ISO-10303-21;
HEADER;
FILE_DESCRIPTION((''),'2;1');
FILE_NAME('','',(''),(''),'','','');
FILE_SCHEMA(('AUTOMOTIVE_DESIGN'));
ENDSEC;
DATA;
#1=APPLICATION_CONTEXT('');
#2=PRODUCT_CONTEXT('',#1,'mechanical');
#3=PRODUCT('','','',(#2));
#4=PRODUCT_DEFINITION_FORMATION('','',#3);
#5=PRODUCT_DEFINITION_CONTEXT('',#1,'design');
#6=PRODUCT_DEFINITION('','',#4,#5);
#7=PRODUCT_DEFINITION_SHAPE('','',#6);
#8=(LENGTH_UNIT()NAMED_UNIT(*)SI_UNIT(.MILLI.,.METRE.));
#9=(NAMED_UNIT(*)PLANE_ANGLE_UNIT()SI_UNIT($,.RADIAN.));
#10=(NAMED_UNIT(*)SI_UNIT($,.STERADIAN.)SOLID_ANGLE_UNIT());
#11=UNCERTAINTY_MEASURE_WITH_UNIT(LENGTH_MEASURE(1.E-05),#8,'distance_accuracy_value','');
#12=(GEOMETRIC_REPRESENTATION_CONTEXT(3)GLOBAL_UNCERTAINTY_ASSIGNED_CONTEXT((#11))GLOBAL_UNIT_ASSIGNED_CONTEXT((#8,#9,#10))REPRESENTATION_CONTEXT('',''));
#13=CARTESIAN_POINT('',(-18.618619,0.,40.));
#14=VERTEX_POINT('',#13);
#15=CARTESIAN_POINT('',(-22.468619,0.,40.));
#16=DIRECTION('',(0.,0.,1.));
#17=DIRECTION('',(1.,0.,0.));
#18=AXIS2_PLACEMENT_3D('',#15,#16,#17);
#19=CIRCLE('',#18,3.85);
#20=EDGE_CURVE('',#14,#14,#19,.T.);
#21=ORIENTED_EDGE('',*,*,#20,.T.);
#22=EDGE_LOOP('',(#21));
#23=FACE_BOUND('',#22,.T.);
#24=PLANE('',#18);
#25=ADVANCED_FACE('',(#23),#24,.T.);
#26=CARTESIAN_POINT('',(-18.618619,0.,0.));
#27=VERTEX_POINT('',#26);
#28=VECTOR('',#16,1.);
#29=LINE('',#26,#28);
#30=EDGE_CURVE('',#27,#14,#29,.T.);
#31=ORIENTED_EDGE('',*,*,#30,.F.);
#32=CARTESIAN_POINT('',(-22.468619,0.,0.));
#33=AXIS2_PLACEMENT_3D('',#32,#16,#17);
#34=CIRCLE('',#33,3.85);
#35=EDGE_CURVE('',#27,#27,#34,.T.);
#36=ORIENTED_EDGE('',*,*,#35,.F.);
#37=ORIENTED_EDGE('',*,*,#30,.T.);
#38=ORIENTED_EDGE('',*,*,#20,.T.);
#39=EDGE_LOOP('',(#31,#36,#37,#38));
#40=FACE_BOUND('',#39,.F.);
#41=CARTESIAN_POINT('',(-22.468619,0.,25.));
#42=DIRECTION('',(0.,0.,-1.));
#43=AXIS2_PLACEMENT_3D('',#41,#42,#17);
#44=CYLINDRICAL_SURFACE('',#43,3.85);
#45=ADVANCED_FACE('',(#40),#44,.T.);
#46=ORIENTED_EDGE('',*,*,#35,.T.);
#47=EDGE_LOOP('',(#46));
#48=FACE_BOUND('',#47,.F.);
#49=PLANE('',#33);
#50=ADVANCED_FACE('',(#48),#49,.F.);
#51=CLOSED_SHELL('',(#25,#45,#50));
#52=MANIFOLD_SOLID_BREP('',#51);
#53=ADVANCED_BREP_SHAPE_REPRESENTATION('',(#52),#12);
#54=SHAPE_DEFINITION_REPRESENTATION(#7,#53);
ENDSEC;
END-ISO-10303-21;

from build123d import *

# Parameters (mm, degrees)
F0_R     = 3.85
F1_DEPTH = 25
F2_DEPTH = 10
F3_DEPTH = 15


with BuildPart() as f1:
    # F0 (on Top) → F1 (new body)
    with BuildSketch(Plane.XY):
        Circle(F0_R)
    extrude(amount=F1_DEPTH)


with BuildPart() as f1b:
    # F0 (on Top) → F1, piece 2 (new body)
    with BuildSketch(Plane.XY):
        with Locations((0, -18.7460610834)):
            Circle(F0_R)
    extrude(amount=F1_DEPTH)


with BuildPart() as f1c:
    # F0 (on Top) → F1, piece 3 (new body)
    with BuildSketch(Plane.XY):
        with Locations((-22.4686189292, -18.7460610834)):
            Circle(F0_R)
    extrude(amount=F1_DEPTH)

    # F2 (add): a face of the model
    f2_faces = [f1c.faces().sort_by_distance(p)[0] for p in [
        (-22.4686189292, -18.7460610834, 25),
    ]]
    extrude(f2_faces, amount=F2_DEPTH)


with BuildPart() as f1d:
    # F0 (on Top) → F1, piece 4 (new body)
    with BuildSketch(Plane.XY):
        with Locations((-22.4686189292, 0)):
            Circle(F0_R)
    extrude(amount=F1_DEPTH)

    # F3 (add): a face of the model
    f3_faces = [f1d.faces().sort_by_distance(p)[0] for p in [
        (-22.4686189292, 0, 25),
    ]]
    extrude(f3_faces, amount=F3_DEPTH)


solid = f1d.part
